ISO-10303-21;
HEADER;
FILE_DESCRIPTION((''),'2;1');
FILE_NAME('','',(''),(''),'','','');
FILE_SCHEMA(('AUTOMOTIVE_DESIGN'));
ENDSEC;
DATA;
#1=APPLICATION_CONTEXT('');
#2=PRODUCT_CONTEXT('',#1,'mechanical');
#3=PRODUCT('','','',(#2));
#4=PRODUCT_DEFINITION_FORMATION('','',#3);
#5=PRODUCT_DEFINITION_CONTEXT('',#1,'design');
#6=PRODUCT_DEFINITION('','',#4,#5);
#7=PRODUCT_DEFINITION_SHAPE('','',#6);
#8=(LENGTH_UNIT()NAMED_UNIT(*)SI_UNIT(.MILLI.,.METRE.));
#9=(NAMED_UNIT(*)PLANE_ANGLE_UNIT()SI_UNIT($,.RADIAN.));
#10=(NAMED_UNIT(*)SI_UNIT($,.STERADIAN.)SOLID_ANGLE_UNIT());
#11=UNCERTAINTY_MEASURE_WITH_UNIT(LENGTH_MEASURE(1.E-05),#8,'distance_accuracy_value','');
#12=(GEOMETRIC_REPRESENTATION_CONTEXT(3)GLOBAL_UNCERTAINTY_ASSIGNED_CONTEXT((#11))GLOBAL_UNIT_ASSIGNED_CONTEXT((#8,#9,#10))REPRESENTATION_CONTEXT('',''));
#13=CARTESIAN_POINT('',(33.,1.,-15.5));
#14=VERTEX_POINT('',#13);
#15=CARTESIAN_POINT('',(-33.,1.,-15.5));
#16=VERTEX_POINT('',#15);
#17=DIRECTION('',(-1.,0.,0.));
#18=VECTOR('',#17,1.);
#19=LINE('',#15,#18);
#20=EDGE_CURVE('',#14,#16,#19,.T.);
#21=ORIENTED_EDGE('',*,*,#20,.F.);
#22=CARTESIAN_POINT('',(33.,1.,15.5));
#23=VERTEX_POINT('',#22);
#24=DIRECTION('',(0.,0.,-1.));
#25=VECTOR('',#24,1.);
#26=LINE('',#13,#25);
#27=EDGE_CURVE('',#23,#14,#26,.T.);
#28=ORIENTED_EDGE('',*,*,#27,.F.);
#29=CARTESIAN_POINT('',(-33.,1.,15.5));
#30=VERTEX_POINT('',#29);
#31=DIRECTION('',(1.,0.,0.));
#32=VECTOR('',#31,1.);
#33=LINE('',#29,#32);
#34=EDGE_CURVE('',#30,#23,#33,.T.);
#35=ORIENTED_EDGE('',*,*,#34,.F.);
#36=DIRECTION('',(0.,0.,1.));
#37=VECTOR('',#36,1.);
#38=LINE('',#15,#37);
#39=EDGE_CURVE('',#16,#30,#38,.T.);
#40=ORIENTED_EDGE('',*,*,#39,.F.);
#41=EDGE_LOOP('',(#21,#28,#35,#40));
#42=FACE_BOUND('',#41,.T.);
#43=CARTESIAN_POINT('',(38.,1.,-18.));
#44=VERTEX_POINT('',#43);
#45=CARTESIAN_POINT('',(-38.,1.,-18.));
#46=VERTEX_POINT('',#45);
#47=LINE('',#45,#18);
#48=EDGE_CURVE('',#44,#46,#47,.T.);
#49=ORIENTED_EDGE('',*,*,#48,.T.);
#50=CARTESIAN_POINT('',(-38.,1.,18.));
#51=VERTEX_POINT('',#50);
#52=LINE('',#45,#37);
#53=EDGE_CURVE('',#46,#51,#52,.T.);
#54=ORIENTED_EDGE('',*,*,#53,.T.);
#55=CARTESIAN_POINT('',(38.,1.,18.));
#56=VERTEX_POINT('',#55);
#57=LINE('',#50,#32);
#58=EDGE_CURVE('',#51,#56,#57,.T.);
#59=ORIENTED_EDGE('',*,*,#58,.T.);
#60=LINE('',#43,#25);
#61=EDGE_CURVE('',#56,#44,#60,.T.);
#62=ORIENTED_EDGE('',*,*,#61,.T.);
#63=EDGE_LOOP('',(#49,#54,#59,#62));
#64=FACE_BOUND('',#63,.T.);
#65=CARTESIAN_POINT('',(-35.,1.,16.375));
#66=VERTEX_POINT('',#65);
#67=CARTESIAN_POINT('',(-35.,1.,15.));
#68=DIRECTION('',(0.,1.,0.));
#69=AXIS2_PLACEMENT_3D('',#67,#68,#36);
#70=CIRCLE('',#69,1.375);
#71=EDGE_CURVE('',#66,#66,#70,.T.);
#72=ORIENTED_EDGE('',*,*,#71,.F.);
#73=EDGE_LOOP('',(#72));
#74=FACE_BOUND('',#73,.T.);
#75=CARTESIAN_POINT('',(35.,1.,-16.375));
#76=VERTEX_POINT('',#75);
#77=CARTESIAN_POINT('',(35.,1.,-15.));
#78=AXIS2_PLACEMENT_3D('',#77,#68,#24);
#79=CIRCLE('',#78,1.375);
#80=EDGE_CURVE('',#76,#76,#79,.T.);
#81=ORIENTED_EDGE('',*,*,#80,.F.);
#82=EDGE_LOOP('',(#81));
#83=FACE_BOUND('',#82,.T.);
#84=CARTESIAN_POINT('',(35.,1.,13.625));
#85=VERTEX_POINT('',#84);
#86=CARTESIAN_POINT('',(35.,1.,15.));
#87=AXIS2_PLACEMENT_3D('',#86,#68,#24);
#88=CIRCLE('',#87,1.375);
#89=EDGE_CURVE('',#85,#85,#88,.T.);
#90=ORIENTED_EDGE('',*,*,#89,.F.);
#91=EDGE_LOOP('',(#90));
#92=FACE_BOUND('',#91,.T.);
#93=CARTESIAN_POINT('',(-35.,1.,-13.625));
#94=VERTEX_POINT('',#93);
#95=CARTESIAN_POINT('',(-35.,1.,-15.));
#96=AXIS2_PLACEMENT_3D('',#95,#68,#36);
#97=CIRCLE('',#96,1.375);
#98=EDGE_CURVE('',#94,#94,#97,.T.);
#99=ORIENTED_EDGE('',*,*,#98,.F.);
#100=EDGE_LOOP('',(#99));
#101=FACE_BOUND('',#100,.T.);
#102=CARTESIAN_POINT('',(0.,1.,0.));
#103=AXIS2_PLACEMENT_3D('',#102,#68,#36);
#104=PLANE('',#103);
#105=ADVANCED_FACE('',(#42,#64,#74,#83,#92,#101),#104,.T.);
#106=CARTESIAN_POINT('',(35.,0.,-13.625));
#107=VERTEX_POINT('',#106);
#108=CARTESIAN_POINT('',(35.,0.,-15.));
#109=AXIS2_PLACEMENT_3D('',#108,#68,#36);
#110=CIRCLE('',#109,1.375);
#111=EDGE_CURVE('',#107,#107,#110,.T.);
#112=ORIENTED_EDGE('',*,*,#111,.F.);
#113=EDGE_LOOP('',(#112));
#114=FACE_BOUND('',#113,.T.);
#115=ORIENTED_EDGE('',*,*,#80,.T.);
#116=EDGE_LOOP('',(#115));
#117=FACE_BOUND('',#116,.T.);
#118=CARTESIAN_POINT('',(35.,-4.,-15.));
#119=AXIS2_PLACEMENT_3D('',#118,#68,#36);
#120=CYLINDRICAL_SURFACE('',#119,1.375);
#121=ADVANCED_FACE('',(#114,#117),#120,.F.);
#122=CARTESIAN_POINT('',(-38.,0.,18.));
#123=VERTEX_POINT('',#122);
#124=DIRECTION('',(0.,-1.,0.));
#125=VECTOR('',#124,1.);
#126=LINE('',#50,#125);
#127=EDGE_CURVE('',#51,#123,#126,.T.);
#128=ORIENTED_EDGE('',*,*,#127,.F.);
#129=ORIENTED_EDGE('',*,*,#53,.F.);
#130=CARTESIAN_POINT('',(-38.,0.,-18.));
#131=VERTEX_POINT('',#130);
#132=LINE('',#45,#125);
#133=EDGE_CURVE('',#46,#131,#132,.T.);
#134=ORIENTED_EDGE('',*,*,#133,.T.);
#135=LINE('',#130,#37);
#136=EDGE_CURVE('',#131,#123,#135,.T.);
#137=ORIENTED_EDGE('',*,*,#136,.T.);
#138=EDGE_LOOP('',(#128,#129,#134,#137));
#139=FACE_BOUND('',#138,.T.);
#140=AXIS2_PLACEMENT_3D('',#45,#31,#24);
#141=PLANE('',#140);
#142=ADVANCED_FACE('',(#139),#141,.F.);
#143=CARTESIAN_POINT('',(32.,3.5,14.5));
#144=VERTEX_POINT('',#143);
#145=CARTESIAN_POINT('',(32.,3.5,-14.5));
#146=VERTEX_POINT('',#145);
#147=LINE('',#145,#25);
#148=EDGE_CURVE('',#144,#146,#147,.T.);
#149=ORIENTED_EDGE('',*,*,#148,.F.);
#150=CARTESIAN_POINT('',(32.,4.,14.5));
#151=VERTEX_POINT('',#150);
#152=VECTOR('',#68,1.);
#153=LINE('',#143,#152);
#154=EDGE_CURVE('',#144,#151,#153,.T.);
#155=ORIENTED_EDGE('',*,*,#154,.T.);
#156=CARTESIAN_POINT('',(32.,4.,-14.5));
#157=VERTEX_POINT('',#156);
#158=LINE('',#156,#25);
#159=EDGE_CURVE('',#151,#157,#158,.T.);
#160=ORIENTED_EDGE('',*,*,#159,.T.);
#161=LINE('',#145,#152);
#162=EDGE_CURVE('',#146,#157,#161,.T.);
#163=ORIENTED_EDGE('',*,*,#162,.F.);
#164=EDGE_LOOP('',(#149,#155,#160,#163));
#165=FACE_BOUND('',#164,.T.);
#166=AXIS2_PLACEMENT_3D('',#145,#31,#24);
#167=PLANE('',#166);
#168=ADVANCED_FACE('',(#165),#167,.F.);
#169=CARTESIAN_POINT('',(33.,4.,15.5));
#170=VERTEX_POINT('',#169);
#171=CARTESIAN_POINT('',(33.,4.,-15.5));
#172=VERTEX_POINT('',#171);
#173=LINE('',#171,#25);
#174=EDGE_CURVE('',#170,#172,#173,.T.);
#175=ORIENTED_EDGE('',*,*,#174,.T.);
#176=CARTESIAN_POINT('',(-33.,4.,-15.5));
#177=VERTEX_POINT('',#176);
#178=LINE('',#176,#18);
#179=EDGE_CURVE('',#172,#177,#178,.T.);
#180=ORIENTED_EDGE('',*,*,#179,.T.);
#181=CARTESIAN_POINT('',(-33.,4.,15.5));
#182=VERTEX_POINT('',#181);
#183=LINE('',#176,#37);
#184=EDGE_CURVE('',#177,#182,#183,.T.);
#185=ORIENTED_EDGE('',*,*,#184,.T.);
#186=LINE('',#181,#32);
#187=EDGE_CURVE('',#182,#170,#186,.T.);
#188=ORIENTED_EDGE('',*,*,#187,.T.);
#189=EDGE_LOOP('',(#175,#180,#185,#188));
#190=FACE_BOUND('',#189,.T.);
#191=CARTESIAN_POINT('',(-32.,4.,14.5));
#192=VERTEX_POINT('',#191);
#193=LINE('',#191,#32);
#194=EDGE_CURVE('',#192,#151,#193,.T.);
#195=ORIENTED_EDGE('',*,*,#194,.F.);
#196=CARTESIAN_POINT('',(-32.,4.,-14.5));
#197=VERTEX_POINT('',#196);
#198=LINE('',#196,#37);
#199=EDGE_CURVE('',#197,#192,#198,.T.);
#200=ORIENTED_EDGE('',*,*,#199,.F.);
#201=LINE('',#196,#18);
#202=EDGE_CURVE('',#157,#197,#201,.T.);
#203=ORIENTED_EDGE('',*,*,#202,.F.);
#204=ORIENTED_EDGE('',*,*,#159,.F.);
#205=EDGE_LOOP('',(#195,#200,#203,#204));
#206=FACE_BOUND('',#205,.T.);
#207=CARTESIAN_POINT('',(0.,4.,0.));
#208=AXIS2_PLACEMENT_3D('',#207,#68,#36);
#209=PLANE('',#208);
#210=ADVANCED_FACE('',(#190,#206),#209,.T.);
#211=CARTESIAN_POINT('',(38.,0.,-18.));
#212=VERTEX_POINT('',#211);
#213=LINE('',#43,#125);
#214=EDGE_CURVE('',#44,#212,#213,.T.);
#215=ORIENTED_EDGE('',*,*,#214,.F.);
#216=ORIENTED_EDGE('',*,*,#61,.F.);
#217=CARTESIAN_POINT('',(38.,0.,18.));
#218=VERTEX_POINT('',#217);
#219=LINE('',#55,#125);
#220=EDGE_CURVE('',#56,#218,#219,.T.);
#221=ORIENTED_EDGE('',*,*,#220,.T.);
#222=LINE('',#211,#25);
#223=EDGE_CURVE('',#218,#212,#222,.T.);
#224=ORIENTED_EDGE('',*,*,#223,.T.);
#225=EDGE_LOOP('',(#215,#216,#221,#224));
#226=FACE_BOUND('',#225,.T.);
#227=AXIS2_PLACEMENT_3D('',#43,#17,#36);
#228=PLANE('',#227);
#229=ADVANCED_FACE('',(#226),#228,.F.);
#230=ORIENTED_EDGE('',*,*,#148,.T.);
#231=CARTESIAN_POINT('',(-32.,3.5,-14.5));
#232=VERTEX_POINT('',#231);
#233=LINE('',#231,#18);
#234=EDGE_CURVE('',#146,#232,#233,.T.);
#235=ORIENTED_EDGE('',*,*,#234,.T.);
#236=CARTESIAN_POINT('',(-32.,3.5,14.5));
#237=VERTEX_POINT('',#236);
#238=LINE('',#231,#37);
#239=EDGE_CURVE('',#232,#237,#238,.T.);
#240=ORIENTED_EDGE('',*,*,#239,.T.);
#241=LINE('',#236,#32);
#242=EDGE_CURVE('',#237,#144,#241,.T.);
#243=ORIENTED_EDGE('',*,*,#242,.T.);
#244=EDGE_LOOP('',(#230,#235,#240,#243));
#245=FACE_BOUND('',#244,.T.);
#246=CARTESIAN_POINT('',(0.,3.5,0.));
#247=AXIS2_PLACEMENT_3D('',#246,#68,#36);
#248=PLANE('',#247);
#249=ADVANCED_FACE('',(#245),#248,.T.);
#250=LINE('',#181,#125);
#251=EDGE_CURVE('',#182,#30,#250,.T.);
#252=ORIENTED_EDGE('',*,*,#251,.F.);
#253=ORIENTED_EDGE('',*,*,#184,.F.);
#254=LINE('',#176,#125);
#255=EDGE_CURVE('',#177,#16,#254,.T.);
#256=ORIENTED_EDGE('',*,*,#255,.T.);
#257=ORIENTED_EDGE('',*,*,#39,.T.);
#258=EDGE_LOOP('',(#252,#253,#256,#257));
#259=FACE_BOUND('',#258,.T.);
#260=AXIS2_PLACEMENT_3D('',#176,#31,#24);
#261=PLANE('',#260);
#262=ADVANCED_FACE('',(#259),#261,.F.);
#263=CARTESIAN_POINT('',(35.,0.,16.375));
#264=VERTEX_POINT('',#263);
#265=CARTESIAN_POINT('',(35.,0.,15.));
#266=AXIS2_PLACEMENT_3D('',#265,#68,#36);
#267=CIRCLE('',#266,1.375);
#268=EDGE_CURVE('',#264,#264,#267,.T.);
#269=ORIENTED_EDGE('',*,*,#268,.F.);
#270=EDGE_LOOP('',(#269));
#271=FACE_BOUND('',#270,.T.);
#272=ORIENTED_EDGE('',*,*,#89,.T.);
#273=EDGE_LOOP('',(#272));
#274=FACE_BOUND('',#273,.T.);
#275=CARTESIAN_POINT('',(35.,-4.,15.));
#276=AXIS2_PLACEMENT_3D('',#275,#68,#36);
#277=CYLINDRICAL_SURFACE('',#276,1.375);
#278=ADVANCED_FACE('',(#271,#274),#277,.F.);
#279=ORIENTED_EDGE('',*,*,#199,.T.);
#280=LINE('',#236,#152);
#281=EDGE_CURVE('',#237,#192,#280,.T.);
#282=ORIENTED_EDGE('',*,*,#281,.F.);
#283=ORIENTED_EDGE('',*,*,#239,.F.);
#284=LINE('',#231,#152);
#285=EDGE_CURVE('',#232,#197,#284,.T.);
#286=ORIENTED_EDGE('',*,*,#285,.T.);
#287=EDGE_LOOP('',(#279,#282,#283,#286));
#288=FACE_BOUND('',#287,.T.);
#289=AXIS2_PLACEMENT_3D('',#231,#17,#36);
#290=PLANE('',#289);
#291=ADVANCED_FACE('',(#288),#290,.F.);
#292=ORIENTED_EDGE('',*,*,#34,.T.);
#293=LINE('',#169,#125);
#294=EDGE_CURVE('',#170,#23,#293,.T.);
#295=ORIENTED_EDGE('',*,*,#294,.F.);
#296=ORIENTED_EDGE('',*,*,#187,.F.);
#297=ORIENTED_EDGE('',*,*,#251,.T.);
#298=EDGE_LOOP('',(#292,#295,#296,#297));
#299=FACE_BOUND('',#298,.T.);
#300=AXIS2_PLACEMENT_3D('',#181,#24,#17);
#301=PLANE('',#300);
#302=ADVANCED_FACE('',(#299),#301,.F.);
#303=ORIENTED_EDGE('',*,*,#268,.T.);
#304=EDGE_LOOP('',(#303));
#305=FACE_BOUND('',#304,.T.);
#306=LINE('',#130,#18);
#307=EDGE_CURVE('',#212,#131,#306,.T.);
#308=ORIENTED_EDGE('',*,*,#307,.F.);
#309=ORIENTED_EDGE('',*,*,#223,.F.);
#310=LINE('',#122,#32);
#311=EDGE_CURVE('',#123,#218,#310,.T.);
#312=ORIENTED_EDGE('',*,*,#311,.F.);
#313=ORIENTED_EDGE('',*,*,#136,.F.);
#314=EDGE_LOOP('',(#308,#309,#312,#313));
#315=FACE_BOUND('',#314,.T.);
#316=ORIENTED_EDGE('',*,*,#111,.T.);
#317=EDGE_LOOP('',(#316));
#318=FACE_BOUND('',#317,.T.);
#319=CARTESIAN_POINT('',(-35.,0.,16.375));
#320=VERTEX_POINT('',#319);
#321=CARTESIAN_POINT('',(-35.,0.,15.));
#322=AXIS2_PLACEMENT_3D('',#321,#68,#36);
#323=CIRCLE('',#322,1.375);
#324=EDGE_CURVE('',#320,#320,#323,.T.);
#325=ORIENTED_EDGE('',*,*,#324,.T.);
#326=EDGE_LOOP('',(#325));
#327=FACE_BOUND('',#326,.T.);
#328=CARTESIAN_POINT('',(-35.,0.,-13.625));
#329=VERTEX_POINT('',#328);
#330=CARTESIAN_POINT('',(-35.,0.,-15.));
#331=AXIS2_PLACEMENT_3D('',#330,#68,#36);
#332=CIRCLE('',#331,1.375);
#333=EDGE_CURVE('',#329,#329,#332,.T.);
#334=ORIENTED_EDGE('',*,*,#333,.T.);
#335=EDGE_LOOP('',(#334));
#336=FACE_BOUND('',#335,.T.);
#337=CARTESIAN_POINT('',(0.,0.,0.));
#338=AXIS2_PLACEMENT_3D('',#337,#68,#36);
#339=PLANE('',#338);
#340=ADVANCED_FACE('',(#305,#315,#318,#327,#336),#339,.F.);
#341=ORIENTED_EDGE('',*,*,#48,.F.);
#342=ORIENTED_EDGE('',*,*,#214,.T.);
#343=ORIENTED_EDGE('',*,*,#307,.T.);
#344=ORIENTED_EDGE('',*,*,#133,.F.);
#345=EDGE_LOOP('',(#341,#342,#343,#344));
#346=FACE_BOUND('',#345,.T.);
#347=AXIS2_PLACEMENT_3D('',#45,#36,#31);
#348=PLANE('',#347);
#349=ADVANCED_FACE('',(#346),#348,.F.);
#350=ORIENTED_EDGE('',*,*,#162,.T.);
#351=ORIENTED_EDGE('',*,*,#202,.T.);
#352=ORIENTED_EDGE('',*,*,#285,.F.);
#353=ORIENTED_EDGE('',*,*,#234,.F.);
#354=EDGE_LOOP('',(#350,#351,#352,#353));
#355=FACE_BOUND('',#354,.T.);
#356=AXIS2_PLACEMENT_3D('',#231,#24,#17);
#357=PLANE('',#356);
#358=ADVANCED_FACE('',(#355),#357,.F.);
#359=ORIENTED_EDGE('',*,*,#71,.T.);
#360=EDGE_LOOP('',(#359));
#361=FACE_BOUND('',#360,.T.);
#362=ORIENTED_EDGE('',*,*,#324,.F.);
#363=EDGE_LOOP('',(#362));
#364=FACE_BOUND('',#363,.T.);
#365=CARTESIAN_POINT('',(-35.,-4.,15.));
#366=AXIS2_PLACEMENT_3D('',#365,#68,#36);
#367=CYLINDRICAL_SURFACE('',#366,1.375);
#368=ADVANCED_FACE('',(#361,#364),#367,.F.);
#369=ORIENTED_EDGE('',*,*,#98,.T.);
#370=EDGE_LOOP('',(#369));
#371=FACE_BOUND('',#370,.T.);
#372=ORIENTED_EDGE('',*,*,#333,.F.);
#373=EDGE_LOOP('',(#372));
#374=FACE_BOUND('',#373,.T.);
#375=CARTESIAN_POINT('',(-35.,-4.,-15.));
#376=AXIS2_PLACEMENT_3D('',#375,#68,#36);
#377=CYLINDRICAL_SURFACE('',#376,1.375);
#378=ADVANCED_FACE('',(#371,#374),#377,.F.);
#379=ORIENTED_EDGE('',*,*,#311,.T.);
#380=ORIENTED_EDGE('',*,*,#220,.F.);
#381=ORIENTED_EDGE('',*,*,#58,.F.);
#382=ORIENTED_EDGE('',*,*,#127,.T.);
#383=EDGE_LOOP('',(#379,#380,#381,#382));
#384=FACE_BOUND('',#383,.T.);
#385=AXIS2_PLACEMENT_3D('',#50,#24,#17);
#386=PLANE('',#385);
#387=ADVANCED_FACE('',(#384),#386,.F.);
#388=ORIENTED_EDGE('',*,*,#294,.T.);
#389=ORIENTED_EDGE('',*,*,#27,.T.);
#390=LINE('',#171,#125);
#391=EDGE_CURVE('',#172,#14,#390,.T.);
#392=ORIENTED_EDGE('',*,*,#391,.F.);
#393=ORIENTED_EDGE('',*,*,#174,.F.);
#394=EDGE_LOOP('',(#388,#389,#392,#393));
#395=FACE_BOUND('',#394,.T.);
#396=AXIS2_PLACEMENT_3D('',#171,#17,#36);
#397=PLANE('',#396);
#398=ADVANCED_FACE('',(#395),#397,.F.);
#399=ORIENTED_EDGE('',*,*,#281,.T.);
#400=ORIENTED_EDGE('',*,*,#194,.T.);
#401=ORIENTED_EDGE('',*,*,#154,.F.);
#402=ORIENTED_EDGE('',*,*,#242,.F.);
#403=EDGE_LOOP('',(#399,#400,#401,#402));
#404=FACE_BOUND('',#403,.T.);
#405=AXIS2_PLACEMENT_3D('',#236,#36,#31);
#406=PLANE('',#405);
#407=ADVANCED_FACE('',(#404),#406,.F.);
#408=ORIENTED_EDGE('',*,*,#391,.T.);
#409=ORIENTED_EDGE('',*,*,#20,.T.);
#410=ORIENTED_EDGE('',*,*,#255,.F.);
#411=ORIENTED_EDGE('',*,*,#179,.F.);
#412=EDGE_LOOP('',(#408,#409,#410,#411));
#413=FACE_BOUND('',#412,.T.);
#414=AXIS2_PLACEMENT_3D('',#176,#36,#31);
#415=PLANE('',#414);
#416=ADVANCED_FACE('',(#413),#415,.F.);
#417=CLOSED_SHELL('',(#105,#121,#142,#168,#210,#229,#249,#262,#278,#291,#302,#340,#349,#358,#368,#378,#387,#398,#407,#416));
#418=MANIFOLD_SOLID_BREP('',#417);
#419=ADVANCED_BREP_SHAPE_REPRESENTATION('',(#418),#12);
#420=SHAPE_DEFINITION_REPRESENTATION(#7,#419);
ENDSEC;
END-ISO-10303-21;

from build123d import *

# Parameters (mm, degrees)
SKETCH1_W           = 76
SKETCH1_H           = 36
BOSS_EXTRUDE1_DEPTH = 1
SKETCH2_W           = 66
SKETCH2_H           = 31
BOSS_EXTRUDE2_DEPTH = 3
SKETCH3_W           = 64
SKETCH3_H           = 29
CUT_EXTRUDE1_DEPTH  = 0.5
SKETCH4_R           = 1.375
CUT_EXTRUDE2_DEPTH  = 5


with BuildPart() as part:
    # Sketch1 → Boss-Extrude1 (new body)
    with BuildSketch(Plane(origin=(0, 0, 0), x_dir=(1, 0, 0), z_dir=(0, 1, 0))):
        Rectangle(SKETCH1_W, SKETCH1_H)
    extrude(amount=BOSS_EXTRUDE1_DEPTH)

    # Sketch2 → Boss-Extrude2 (add)
    with BuildSketch(Plane(origin=(0, 1, 0), x_dir=(1, 0, 0), z_dir=(0, 1, 0))):
        Rectangle(SKETCH2_W, SKETCH2_H)
    extrude(amount=BOSS_EXTRUDE2_DEPTH)

    # Sketch3 → Cut-Extrude1 (cut)
    with BuildSketch(Plane(origin=(0, 4, 0), x_dir=(1, 0, 0), z_dir=(0, 1, 0))):
        Rectangle(SKETCH3_W, SKETCH3_H)
    extrude(amount=-CUT_EXTRUDE1_DEPTH, mode=Mode.SUBTRACT)

    # Sketch4 → Cut-Extrude2 (cut)
    with BuildSketch(Plane(origin=(0, 1, 0), x_dir=(1, 0, 0), z_dir=(0, 1, 0))):
        with Locations(Location((-35, 15, 0), (0, 0, 270))):
            Circle(SKETCH4_R)
        with Locations(Location((-35, -15, 0), (0, 0, 270))):
            Circle(SKETCH4_R)
        with Locations(Location((35, -15, 0), (0, 0, 270))):
            Circle(SKETCH4_R)
        with Locations(Location((35, 15, 0), (0, 0, 270))):
            Circle(SKETCH4_R)
    extrude(amount=-CUT_EXTRUDE2_DEPTH, mode=Mode.SUBTRACT)


solid = part.part
